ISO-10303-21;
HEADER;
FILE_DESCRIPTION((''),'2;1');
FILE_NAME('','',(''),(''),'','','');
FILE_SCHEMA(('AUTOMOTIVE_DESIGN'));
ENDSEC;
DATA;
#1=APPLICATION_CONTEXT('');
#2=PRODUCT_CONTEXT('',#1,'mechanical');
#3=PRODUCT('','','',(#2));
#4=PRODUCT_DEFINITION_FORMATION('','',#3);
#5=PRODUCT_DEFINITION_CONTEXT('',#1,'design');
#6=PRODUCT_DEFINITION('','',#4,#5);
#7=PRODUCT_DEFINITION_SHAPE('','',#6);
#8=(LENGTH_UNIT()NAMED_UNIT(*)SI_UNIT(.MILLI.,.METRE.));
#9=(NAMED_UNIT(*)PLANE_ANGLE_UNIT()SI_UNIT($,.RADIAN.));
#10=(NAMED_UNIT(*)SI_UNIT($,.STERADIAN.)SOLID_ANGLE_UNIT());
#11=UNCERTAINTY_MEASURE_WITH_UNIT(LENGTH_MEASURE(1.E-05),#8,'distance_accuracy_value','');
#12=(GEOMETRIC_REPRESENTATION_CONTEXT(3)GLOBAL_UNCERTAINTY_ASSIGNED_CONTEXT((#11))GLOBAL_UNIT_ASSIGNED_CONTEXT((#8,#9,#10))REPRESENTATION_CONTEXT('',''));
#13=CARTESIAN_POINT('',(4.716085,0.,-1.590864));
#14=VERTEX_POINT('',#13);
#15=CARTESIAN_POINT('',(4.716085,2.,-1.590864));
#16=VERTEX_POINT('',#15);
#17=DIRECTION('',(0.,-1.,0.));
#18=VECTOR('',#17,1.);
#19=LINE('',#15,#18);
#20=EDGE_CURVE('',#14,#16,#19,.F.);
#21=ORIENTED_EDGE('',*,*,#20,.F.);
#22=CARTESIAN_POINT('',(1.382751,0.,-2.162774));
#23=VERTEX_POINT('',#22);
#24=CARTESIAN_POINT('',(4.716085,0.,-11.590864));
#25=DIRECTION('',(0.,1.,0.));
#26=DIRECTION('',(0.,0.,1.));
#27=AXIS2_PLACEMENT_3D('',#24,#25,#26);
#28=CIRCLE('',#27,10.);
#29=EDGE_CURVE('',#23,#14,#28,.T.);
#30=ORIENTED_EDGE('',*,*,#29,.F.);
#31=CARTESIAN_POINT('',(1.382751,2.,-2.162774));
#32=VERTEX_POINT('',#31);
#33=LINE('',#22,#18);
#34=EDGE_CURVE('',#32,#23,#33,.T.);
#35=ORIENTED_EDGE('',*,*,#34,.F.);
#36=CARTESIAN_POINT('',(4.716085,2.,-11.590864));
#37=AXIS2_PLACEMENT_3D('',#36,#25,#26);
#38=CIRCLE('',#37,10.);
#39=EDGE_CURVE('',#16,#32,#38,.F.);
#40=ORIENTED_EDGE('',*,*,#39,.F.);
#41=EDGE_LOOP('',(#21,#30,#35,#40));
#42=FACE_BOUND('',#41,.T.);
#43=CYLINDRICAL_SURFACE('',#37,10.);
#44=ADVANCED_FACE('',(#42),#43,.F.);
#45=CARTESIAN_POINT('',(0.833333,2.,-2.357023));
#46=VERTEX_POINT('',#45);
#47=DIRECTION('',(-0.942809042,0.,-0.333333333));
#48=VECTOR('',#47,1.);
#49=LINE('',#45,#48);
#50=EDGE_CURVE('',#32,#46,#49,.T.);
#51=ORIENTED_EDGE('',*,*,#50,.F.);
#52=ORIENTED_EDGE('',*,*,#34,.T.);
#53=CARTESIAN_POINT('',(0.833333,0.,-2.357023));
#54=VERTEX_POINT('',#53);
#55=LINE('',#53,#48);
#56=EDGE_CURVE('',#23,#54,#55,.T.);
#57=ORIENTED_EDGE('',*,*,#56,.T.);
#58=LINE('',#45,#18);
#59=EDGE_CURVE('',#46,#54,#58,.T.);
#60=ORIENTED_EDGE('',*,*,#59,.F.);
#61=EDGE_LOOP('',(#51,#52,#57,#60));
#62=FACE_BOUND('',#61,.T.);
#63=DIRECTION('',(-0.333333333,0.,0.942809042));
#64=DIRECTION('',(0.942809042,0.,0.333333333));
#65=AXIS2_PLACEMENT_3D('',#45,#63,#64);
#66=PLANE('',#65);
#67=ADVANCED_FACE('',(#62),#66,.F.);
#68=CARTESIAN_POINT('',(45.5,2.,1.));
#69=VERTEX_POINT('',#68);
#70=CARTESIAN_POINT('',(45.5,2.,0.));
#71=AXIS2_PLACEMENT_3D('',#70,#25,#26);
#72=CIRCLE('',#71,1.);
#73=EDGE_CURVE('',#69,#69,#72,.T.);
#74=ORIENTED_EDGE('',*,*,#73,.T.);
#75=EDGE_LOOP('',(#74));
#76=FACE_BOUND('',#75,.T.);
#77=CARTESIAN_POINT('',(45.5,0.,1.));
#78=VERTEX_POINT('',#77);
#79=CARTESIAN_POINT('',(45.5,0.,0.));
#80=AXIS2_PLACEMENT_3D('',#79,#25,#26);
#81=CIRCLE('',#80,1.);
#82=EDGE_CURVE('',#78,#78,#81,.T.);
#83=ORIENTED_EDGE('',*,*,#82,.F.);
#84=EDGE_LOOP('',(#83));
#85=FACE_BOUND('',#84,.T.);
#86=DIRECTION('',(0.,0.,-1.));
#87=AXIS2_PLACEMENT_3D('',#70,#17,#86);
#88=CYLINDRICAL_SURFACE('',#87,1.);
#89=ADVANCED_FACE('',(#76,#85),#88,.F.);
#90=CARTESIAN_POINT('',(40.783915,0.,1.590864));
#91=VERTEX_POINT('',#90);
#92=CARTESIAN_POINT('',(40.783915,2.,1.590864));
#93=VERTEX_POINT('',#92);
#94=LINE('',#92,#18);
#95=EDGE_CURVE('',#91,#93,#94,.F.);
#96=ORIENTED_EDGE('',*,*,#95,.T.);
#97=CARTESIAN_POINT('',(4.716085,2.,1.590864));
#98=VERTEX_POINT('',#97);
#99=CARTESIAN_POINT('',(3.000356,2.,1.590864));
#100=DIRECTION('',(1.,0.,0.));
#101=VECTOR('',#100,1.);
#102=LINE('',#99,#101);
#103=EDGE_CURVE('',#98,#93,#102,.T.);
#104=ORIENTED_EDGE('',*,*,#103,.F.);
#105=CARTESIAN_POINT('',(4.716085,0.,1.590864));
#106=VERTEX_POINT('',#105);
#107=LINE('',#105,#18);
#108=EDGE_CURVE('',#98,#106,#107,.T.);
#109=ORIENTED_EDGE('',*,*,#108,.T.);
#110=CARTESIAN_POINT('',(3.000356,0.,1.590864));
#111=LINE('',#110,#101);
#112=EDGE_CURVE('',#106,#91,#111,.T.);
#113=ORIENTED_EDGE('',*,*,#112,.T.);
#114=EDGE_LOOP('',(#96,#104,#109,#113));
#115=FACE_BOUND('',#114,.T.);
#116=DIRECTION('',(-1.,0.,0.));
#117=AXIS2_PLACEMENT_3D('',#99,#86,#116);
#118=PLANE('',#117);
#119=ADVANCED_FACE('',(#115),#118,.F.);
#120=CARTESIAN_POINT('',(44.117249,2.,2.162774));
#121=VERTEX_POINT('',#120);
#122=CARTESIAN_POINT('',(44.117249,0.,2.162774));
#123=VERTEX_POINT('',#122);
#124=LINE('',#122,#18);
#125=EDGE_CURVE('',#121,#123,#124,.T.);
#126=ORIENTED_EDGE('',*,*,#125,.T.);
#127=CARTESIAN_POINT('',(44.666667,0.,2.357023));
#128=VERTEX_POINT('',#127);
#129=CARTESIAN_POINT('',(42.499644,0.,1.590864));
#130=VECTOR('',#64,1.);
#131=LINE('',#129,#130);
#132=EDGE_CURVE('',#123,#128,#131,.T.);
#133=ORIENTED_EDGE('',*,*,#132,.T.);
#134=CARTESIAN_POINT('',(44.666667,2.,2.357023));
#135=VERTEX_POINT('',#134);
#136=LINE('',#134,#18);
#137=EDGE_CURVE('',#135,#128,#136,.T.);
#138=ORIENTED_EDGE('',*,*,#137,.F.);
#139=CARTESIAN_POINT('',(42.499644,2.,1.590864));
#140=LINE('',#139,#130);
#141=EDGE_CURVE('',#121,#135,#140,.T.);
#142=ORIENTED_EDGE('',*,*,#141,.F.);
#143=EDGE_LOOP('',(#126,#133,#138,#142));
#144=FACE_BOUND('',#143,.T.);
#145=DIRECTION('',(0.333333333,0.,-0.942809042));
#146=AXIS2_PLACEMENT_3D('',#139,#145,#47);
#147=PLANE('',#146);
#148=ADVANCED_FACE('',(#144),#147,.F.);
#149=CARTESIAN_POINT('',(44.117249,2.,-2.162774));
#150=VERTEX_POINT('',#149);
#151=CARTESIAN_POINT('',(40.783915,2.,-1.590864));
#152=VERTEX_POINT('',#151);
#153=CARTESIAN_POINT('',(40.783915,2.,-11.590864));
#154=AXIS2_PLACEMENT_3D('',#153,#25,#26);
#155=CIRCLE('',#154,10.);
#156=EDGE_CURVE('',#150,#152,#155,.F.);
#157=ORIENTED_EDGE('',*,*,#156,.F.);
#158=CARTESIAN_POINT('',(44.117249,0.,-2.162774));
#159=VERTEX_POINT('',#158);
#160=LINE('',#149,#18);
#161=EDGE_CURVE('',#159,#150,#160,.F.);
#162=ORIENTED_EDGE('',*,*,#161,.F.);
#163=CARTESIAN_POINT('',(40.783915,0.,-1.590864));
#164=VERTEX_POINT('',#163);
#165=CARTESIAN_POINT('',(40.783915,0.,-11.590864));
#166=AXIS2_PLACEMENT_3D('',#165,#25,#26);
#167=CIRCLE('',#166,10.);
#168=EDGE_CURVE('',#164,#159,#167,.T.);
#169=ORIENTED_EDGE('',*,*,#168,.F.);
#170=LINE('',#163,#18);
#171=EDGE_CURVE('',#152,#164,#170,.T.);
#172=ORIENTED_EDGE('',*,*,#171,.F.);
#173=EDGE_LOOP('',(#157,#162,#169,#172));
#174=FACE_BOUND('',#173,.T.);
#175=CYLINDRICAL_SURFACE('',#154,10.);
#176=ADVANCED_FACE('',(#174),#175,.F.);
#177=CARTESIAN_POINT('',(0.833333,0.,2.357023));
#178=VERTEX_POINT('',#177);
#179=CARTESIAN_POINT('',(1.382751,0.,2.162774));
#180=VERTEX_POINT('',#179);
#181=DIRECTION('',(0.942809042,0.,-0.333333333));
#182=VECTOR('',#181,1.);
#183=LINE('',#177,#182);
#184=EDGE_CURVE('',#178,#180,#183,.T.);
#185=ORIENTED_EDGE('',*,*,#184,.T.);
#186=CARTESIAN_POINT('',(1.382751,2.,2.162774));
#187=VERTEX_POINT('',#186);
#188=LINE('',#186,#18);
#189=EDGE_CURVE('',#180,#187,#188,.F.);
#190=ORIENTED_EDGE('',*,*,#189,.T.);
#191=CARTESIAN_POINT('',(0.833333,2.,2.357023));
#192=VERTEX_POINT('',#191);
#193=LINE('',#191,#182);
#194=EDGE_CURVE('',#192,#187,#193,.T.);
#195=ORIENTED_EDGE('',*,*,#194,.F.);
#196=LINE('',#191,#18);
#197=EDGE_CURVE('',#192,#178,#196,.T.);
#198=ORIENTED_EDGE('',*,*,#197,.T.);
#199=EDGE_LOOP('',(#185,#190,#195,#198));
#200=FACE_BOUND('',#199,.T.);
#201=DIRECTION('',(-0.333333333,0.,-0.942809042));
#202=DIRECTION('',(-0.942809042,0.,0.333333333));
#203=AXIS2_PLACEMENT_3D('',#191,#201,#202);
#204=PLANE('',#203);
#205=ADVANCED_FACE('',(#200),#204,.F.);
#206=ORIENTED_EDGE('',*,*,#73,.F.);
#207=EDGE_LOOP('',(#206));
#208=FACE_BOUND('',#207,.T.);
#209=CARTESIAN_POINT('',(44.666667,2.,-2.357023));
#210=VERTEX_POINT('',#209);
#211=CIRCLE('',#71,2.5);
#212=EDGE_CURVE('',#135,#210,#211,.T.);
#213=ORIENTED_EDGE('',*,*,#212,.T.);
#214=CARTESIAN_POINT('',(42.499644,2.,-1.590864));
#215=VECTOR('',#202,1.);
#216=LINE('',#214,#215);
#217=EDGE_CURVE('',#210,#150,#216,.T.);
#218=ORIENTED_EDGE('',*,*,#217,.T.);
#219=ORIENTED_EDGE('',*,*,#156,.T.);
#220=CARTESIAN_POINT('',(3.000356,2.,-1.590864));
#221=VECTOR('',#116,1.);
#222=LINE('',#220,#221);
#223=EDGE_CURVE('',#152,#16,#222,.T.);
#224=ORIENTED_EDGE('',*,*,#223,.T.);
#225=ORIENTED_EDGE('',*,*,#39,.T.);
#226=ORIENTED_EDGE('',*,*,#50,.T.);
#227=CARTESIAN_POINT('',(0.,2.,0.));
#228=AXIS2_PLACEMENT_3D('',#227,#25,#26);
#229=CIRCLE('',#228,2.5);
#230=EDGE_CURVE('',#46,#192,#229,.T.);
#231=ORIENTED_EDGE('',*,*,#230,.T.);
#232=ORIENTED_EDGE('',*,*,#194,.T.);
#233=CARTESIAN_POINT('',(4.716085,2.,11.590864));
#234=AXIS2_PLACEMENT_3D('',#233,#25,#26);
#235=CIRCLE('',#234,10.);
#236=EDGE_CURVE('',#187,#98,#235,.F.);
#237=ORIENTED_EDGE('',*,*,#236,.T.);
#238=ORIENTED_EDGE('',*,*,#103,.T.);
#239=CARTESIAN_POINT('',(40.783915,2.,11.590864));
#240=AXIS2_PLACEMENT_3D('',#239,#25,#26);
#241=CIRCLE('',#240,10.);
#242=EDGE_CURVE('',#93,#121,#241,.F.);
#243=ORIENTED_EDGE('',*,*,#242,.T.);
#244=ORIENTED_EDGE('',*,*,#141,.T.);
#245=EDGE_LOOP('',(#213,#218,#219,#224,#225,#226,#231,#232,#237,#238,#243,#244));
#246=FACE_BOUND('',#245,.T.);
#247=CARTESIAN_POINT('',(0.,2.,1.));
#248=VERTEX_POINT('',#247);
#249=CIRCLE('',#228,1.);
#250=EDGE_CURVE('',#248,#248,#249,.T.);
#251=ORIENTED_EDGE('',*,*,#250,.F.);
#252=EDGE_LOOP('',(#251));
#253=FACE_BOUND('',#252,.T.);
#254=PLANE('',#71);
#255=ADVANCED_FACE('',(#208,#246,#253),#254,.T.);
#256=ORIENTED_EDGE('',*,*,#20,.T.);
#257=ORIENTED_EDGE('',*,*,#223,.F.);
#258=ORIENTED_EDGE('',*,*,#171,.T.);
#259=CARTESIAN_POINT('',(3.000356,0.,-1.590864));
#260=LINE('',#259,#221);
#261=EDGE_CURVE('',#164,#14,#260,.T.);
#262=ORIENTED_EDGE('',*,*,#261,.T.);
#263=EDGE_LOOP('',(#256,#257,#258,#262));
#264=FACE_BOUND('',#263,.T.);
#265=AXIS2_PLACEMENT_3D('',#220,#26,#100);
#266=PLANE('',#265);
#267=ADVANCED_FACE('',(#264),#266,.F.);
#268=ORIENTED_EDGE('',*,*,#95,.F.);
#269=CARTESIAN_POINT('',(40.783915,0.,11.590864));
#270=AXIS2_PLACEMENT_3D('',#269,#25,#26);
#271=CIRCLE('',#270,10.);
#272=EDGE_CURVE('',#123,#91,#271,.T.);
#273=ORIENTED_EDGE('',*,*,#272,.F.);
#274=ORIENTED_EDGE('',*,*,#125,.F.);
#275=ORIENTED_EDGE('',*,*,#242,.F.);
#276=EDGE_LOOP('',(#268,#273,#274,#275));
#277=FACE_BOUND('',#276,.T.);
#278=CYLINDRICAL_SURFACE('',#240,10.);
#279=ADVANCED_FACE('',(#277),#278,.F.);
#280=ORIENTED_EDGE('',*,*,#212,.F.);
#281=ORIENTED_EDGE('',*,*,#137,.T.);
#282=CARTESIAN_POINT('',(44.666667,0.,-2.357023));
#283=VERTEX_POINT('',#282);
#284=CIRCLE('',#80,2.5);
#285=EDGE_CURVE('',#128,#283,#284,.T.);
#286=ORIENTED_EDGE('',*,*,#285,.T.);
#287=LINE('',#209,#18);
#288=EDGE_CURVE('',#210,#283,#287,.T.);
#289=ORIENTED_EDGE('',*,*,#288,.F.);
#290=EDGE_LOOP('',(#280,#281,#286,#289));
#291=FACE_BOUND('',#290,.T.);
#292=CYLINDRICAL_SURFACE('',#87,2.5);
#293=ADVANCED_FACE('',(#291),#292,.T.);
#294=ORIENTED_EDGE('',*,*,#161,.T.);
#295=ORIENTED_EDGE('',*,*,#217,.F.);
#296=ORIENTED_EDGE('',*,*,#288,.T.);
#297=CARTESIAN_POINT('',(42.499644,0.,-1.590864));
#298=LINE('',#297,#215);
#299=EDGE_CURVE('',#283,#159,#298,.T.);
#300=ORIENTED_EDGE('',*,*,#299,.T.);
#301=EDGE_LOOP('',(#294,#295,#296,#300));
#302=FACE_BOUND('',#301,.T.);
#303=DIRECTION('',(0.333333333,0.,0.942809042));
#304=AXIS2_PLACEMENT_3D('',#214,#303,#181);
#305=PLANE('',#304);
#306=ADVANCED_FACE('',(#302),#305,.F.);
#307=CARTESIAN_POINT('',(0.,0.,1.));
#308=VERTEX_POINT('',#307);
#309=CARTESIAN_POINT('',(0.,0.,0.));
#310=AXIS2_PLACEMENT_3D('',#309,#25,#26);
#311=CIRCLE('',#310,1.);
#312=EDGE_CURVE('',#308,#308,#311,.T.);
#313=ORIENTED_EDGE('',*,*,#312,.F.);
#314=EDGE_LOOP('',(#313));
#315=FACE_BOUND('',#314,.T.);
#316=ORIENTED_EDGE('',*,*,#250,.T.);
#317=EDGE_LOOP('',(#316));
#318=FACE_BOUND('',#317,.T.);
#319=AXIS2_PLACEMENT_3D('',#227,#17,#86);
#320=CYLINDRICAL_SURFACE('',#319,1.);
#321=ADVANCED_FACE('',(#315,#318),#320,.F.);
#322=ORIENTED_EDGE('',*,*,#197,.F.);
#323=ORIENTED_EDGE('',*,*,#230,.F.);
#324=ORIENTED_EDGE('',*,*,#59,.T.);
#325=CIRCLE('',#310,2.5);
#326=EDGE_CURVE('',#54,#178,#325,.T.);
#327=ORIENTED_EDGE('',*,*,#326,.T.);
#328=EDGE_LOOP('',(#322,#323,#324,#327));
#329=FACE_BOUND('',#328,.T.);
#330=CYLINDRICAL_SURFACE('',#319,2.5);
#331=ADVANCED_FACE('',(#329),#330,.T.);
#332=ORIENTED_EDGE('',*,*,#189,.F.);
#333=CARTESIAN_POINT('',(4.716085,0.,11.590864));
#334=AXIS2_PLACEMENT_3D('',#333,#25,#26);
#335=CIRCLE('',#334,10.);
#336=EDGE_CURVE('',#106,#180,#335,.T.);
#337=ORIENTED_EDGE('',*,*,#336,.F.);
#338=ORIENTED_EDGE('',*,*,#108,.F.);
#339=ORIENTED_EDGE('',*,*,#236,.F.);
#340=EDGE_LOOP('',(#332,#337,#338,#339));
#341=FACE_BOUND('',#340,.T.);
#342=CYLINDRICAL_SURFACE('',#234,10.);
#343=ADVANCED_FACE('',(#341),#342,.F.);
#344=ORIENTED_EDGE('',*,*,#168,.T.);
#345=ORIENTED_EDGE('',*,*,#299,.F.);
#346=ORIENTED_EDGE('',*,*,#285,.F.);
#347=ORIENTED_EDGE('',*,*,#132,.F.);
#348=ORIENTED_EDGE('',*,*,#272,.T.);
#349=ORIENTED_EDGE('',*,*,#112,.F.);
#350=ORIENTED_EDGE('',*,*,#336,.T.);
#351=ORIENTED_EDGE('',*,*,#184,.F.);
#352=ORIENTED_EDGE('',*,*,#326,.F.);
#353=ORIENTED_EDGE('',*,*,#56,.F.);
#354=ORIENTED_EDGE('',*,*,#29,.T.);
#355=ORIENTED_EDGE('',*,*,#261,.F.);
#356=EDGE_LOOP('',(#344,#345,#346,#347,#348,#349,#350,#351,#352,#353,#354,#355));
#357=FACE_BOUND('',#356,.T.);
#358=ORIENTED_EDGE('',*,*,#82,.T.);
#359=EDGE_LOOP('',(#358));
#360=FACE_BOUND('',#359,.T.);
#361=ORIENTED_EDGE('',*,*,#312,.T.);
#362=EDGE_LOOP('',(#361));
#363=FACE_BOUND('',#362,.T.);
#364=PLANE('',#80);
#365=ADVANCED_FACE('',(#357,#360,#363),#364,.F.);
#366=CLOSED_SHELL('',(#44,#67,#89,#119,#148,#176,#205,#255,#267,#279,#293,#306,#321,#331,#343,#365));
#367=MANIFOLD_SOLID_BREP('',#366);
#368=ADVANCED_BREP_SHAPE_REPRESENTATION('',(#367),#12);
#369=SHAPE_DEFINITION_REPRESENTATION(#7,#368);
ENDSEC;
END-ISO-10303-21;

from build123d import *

# Parameters (mm, degrees)
SKETCH1_R           = 1
BOSS_EXTRUDE2_DEPTH = 2
FILLET2_R           = 10


with BuildPart() as part:
    # Sketch1 → Boss-Extrude2 (new body)
    with BuildSketch(Plane(origin=(0, 0, 0), x_dir=(1, 0, 0), z_dir=(0, 1, 0))):
        with BuildLine():
            Line((0.833333333, 2.357022604), (3.0003558, 1.590864463))
            Line((3.0003558, 1.590864463), (42.4996442, 1.590864463))
            Line((42.4996442, 1.590864463), (44.666666667, 2.357022604))
            ThreePointArc((44.666666667, 2.357022604), (48, 0), (44.666666667, -2.357022604))
            Line((44.666666667, -2.357022604), (42.4996442, -1.590864463))
            Line((42.4996442, -1.590864463), (3.0003558, -1.590864463))
            Line((3.0003558, -1.590864463), (0.833333333, -2.357022604))
            ThreePointArc((0.833333333, -2.357022604), (-2.5, 0), (0.833333333, 2.357022604))
        make_face()
        Circle(SKETCH1_R, mode=Mode.SUBTRACT)
        with Locations((45.5, 0)):
            Circle(SKETCH1_R, mode=Mode.SUBTRACT)
    extrude(amount=BOSS_EXTRUDE2_DEPTH)

    # Fillet2
    fillet2_edges = [part.edges().sort_by_distance(p)[0] for p in [
        (42.4996442, 1, -1.590864463),
        (42.4996442, 1, 1.590864463),
        (3.0003558, 1, 1.590864463),
        (3.0003558, 1, -1.590864463),
    ]]
    fillet(fillet2_edges, radius=FILLET2_R)


solid = part.part
